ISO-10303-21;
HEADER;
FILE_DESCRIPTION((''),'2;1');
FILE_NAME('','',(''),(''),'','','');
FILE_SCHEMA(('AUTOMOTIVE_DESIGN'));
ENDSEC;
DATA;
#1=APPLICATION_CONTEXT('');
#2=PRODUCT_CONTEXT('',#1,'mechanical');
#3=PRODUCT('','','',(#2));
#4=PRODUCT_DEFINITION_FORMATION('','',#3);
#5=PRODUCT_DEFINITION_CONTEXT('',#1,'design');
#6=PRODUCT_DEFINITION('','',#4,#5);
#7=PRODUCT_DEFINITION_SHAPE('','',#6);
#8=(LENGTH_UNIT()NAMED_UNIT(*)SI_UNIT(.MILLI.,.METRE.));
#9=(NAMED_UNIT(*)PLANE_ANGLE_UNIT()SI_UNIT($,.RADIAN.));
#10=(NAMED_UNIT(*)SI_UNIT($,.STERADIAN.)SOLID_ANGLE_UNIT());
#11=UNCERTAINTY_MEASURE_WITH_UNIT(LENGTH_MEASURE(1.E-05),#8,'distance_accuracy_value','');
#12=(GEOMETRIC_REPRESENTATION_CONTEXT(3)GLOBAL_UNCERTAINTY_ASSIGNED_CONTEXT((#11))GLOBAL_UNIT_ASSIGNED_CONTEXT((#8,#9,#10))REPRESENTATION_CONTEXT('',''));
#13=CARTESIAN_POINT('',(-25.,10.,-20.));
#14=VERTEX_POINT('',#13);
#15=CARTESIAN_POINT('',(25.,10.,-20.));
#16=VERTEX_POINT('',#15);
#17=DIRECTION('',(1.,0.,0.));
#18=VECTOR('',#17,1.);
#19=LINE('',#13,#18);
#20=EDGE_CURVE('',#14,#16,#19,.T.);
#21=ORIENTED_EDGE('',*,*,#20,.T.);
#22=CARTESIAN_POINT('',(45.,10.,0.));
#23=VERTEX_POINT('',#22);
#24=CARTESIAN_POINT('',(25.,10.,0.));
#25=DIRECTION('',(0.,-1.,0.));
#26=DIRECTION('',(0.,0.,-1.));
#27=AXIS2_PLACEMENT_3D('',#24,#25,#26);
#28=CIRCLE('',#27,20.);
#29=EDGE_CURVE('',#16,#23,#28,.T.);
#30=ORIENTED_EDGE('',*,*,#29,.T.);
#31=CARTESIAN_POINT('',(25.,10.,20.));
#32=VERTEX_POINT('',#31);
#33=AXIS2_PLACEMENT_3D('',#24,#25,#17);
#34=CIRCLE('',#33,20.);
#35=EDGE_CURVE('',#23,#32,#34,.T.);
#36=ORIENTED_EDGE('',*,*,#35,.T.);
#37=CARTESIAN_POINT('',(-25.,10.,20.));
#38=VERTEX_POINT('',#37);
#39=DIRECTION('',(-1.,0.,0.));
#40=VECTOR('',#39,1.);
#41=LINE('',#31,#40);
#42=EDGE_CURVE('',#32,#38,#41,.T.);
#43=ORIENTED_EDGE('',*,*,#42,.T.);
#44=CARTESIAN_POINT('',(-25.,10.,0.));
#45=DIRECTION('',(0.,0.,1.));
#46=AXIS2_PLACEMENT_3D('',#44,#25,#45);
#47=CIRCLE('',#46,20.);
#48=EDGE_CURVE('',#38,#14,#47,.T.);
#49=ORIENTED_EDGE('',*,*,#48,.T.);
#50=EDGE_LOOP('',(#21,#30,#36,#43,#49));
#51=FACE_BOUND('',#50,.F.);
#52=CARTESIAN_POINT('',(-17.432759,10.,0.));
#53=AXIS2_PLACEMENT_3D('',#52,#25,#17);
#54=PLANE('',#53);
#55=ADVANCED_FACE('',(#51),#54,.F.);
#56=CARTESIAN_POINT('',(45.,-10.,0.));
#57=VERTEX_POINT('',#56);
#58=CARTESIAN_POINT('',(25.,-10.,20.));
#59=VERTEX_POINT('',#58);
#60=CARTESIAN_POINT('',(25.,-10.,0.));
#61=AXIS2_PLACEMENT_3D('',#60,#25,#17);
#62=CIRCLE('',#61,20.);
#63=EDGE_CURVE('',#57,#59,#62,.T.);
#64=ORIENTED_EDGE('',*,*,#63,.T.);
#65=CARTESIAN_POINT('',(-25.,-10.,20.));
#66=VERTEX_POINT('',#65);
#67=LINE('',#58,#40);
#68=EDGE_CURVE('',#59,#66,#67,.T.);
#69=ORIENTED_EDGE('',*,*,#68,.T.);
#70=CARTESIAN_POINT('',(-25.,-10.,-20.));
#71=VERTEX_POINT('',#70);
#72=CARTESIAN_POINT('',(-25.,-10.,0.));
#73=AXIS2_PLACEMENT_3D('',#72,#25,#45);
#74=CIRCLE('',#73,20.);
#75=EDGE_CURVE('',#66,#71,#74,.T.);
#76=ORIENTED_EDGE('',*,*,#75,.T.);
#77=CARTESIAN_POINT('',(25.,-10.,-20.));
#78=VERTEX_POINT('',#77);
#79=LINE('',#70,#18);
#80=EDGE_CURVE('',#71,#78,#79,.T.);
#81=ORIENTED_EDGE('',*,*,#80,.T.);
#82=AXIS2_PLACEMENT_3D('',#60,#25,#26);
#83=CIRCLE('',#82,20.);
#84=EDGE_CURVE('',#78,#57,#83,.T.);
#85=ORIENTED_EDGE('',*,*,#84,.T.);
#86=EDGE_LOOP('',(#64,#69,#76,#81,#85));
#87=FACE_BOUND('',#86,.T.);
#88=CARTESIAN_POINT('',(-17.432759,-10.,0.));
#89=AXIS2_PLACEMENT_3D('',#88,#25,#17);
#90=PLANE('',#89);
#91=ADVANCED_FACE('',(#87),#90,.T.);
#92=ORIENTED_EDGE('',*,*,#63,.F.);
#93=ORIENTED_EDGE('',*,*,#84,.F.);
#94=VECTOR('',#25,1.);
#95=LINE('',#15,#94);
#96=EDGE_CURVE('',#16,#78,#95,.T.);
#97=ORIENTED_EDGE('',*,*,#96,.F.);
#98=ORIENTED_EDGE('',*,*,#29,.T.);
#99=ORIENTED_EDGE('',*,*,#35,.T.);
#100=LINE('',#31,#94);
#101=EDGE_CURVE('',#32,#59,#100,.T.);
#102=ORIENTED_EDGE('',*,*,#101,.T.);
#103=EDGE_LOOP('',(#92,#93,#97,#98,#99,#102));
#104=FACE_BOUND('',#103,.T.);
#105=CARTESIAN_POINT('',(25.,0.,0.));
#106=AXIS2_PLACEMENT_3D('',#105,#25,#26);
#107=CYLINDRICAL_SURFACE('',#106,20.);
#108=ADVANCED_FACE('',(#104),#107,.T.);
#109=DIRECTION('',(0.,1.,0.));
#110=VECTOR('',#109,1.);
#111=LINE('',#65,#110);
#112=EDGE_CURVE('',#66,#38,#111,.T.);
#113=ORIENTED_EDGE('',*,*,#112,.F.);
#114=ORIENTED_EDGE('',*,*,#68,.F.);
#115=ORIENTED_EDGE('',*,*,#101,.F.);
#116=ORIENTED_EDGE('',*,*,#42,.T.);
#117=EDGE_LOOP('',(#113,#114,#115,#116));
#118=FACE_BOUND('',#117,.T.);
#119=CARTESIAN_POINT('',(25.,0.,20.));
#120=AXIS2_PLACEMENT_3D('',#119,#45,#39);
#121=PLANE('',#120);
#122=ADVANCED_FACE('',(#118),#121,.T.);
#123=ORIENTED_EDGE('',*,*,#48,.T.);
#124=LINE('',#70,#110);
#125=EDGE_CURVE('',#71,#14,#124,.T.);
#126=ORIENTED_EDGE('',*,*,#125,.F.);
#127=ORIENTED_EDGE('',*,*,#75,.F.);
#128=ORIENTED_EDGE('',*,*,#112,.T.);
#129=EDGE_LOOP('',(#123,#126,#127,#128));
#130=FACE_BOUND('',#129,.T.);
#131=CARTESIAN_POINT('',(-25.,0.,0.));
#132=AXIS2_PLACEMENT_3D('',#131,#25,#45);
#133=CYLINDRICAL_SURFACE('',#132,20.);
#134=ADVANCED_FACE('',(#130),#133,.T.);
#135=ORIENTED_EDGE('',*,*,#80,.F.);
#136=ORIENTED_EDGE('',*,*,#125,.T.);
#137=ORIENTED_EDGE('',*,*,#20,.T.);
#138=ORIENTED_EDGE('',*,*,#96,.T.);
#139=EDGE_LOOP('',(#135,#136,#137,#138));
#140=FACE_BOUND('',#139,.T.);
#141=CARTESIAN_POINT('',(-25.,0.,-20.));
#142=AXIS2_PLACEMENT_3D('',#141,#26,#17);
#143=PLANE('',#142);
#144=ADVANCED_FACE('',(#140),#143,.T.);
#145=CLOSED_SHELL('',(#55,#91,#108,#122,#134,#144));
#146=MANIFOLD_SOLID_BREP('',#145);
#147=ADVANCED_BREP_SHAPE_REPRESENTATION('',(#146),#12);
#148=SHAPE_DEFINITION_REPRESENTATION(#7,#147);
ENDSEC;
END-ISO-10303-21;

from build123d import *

# Parameters (mm, degrees)
F1_DEPTH = 10


with BuildPart() as f1:
    # F0 (on Front) → F1 (new body, symmetric)
    with BuildSketch(Plane.XZ):
        with BuildLine():
            ThreePointArc((-5, 0), (-10.8578643763, 14.1421356237), (-25, 20))
            Line((-25, 20), (-25, -20))
            ThreePointArc((-25, -20), (-10.8578643763, -14.1421356237), (-5, 0))
        make_face()
        with BuildLine():
            Line((25, 20), (-25, 20))
            ThreePointArc((-25, 20), (-10.8578643763, 14.1421356237), (-5, 0))
            ThreePointArc((-5, 0), (-10.8578643763, -14.1421356237), (-25, -20))
            Line((-25, -20), (25, -20))
            ThreePointArc((25, -20), (5, 0), (25, 20))
        make_face()
        with BuildLine():
            Line((-25, -20), (-25, 20))
            ThreePointArc((-25, 20), (-45, 0), (-25, -20))
        make_face()
        with BuildLine():
            ThreePointArc((45, 0), (39.1421356237, 14.1421356237), (25, 20))
            Line((25, 20), (25, -20))
            ThreePointArc((25, -20), (39.1421356237, -14.1421356237), (45, 0))
        make_face()
        with BuildLine():
            Line((25, -20), (25, 20))
            ThreePointArc((25, 20), (5, 0), (25, -20))
        make_face()
    extrude(amount=F1_DEPTH, both=True)


solid = f1.part
